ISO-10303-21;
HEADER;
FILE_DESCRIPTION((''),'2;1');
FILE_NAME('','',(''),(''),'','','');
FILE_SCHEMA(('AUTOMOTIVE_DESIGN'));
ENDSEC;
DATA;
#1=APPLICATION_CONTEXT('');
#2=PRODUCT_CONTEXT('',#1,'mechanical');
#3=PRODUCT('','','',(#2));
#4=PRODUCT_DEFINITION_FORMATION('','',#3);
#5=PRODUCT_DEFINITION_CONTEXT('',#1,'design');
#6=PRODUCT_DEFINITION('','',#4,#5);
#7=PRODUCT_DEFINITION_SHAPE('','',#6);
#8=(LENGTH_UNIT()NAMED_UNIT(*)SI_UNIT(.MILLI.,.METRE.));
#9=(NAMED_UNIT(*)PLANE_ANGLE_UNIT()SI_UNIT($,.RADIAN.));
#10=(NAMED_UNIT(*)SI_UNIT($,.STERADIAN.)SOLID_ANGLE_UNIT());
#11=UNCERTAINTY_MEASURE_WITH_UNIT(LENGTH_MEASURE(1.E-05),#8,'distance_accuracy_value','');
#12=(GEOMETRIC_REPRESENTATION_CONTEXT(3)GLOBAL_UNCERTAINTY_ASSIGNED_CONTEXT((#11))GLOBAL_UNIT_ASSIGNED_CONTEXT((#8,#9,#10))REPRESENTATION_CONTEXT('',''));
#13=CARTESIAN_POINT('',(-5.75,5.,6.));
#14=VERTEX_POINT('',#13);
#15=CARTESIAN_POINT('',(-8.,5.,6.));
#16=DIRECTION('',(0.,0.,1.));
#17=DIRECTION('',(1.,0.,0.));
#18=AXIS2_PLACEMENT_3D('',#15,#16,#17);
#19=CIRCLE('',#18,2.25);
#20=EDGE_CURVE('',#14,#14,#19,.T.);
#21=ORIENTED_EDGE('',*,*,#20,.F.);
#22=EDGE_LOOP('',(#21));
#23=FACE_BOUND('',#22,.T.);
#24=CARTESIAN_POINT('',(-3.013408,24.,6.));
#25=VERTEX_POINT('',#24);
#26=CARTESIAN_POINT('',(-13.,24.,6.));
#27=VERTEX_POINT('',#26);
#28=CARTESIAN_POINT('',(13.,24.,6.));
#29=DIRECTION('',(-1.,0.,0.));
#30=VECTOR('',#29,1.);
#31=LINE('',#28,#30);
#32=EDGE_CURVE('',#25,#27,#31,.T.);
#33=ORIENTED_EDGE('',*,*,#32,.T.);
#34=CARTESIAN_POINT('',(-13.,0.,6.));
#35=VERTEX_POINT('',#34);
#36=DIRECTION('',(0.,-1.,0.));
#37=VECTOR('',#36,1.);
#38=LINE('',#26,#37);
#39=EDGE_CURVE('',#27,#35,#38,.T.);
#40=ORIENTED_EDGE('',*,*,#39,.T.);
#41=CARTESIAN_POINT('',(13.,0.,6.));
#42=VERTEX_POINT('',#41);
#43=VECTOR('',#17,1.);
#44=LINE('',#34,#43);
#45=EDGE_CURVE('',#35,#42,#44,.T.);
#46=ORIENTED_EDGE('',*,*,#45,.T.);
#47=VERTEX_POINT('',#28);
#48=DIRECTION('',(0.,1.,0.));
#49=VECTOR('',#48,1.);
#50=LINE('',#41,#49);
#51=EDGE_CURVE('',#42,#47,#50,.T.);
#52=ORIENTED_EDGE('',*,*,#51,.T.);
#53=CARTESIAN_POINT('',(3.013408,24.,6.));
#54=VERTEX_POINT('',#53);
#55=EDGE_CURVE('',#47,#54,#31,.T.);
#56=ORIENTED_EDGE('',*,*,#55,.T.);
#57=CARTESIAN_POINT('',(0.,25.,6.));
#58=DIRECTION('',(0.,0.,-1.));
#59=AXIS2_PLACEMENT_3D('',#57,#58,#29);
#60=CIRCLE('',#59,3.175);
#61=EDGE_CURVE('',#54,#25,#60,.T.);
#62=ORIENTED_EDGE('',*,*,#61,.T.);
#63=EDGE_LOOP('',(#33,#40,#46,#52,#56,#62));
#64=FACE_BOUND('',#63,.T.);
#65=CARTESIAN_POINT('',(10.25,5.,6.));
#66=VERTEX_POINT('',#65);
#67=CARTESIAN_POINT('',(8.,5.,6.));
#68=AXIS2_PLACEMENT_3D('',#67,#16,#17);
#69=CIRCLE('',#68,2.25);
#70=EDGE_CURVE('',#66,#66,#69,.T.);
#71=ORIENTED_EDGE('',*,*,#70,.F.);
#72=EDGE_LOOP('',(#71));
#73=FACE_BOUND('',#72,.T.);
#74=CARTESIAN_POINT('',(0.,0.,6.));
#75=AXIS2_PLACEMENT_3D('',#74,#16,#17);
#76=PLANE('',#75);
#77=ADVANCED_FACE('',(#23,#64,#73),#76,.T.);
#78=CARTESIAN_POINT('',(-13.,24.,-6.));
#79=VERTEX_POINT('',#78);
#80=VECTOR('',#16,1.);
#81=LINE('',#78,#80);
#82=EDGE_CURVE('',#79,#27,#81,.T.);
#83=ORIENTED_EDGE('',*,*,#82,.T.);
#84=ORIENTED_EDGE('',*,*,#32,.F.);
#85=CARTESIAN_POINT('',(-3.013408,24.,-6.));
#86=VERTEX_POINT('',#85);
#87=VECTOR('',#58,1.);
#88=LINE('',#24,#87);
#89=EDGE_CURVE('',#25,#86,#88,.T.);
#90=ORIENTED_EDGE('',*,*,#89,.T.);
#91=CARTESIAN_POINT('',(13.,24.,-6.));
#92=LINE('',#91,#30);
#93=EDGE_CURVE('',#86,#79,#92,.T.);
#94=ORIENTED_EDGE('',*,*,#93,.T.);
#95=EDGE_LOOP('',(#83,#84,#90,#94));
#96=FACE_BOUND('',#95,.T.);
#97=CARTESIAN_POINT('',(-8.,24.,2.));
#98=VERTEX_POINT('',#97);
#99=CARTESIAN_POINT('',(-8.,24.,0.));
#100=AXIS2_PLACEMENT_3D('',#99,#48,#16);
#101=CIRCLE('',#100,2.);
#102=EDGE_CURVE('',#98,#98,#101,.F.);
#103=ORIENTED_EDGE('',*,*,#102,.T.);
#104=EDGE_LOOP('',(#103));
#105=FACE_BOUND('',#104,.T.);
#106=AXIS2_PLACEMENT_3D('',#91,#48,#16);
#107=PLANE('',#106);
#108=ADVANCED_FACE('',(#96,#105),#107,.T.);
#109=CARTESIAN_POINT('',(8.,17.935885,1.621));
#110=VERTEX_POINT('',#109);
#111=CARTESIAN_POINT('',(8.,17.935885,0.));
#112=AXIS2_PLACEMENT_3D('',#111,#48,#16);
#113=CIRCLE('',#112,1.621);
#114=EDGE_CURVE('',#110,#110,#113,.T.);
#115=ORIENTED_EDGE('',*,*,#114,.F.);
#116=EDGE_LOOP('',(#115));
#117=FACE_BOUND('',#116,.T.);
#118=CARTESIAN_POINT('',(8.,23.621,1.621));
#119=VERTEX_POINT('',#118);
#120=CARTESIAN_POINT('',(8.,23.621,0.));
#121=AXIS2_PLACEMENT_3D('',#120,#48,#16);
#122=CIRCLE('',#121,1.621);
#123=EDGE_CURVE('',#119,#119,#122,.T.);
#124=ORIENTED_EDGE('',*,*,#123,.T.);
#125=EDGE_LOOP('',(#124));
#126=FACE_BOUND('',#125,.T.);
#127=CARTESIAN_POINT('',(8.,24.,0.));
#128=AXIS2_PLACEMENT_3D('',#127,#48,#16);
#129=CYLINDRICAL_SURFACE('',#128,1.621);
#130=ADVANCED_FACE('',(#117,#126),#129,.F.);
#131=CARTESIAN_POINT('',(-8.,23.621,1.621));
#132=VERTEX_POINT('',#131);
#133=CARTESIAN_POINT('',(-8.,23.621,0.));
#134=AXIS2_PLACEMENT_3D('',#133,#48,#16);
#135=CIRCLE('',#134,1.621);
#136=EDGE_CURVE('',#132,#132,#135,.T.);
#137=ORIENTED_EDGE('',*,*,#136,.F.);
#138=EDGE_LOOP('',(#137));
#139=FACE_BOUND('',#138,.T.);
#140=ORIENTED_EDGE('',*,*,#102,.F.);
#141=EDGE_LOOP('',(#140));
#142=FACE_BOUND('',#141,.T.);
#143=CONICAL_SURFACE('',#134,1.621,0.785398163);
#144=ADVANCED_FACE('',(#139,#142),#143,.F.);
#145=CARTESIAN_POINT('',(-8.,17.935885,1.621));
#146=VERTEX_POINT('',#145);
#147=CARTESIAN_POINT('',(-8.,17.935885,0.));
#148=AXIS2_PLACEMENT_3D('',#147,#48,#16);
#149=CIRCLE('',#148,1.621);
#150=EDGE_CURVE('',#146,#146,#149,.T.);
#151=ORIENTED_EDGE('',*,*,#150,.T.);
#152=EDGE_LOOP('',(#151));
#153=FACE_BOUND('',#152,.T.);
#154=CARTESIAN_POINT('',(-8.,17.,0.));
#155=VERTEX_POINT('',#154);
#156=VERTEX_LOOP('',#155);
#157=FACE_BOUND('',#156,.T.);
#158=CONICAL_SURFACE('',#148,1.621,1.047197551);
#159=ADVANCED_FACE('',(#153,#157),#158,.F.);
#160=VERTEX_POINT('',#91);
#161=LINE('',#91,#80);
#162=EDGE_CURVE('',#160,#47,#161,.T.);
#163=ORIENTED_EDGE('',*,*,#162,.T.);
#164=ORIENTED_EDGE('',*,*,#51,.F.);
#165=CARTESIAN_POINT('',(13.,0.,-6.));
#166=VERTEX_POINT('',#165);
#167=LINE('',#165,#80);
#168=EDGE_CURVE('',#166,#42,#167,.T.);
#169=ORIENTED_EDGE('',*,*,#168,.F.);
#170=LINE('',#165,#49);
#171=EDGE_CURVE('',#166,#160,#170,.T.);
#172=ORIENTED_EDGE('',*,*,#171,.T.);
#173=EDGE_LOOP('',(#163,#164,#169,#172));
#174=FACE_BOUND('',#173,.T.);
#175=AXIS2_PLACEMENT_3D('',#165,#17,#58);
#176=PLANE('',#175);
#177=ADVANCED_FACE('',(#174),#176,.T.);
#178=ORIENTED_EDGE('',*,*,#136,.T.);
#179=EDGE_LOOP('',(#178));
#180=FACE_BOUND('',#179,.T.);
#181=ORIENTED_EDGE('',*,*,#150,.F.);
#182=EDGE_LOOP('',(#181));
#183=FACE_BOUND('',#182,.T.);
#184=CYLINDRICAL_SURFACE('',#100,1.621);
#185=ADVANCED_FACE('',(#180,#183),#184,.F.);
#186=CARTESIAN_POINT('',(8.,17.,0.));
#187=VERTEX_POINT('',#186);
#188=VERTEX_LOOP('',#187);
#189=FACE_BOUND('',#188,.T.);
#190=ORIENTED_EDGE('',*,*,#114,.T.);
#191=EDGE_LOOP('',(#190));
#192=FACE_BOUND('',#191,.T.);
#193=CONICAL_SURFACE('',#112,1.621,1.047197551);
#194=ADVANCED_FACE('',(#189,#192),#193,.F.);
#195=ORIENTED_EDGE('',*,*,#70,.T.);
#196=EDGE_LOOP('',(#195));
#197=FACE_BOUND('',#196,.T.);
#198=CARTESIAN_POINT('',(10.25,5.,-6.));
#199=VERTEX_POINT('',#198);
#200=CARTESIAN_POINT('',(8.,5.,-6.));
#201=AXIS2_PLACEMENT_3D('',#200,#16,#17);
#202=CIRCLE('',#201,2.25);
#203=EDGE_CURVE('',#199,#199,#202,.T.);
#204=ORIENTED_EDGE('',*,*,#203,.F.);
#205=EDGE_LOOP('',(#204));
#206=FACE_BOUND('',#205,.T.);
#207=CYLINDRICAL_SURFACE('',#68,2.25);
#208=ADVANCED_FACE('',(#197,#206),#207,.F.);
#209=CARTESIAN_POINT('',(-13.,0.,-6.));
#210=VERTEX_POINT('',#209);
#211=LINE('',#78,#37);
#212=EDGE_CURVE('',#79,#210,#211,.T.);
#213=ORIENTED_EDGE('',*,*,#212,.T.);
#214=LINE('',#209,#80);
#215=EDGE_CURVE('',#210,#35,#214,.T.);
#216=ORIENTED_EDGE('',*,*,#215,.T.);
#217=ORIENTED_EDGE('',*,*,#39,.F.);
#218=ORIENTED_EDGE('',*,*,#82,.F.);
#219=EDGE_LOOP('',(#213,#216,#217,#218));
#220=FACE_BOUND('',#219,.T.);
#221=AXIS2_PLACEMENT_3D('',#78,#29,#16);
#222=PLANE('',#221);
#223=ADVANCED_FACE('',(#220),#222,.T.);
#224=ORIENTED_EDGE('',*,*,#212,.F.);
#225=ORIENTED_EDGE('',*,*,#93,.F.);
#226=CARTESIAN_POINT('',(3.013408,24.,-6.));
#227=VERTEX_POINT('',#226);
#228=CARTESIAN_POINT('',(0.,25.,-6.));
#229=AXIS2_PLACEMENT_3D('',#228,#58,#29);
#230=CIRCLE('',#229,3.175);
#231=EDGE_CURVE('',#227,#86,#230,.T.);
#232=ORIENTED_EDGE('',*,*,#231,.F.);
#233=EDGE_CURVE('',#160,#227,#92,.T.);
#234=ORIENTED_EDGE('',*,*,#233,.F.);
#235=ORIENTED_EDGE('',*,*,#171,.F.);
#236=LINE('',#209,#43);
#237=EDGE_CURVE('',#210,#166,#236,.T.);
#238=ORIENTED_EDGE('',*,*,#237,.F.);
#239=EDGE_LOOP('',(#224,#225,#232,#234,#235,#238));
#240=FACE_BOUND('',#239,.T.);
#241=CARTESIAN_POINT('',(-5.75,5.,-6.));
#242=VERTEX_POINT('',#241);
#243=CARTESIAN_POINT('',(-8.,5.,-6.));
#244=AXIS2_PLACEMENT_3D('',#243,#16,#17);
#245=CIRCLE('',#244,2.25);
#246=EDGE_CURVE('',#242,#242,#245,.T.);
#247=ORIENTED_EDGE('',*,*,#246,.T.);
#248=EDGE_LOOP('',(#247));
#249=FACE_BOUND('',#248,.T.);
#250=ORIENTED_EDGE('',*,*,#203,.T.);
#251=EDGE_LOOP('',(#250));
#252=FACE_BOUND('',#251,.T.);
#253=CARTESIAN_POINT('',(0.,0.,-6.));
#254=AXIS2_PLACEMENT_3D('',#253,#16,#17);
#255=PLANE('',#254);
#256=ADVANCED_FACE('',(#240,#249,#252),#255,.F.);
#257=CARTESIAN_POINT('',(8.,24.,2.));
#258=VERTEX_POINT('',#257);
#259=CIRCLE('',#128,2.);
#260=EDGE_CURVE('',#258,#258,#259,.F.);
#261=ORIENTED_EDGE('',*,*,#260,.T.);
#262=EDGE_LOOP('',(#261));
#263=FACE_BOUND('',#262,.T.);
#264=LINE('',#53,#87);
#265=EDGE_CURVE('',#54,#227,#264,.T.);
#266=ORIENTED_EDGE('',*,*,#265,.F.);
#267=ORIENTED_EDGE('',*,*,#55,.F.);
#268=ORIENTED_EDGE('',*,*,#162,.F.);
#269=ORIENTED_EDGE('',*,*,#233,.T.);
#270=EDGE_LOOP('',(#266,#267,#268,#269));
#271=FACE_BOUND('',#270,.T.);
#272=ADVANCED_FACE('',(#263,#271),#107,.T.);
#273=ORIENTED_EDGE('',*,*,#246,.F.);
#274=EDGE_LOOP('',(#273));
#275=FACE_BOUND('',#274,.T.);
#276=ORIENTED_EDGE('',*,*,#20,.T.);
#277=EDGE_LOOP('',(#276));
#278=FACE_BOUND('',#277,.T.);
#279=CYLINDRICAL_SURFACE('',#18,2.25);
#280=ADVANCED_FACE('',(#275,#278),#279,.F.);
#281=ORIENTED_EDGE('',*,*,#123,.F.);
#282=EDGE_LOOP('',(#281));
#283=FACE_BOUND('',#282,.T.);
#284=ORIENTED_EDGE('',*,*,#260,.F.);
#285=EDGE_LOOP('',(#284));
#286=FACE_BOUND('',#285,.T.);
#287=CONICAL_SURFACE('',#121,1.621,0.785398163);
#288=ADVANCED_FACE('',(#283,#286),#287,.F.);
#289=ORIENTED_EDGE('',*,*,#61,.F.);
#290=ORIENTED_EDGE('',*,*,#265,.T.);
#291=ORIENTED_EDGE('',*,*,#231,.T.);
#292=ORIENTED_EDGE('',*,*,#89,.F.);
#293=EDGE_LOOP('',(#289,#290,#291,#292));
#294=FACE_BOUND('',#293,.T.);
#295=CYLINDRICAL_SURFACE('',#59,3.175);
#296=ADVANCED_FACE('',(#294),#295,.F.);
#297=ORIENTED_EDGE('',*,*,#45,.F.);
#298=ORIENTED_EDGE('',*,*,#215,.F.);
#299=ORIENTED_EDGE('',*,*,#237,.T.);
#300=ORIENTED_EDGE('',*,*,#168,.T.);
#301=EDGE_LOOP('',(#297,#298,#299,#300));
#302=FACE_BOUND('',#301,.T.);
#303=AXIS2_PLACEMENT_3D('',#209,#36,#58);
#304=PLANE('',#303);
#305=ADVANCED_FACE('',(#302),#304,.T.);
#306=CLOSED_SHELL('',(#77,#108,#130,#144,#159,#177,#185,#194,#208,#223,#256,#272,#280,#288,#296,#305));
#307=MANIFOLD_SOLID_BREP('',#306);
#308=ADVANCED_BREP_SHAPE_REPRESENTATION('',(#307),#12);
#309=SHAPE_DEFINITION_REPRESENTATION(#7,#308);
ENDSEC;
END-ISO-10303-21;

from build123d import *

# Parameters (mm, degrees)
SKETCH1_W                  = 26
SKETCH1_H                  = 24
BOSS_EXTRUDE1_DEPTH        = 12
CUT_EXTRUDE1_DEPTH         = 30.816103032
M3_CLEARANCE_HOLE1_D       = 3.242
M3_CLEARANCE_HOLE1_DEPTH   = 6.064115214
M3_CLEARANCE_HOLE1_TIP     = 0.935884786
F_4_5_4_5_DIAMETER_HOLE1_D = 4.5
CHAMFER1_SIZE              = 0.379


with BuildPart() as part:
    # Sketch1 → Boss-Extrude1 (new body)
    with BuildSketch(Plane.XY.offset(6)):
        with Locations((0, 12)):
            Rectangle(SKETCH1_W, SKETCH1_H)
    extrude(amount=-BOSS_EXTRUDE1_DEPTH)

    # Sketch2 → Cut-Extrude1 (cut, through all)
    with BuildSketch(Plane(origin=(0, 0, -6), x_dir=(-1, 0, 0), z_dir=(0, 0, -1))):
        with BuildLine():
            Line((3.01340754, 24), (-3.01340754, 24))
            ThreePointArc((-3.01340754, 24), (0, 21.825), (3.01340754, 24))
        make_face()
    extrude(amount=-CUT_EXTRUDE1_DEPTH, mode=Mode.SUBTRACT)

    # M3 Clearance Hole1
    with Locations(Plane(origin=(0, 24, 0), x_dir=(1, 0, 0), z_dir=(0, 1, 0))):
        with Locations((8, 0), (-8, 0)):
            Hole(M3_CLEARANCE_HOLE1_D / 2, depth=M3_CLEARANCE_HOLE1_DEPTH)
            with Locations((0, 0, -(M3_CLEARANCE_HOLE1_DEPTH + M3_CLEARANCE_HOLE1_TIP / 2))):  # 120° drill point
                Cone(0, M3_CLEARANCE_HOLE1_D / 2, M3_CLEARANCE_HOLE1_TIP, mode=Mode.SUBTRACT)

    # Ø4.5 (4.5) Diameter Hole1 (through all)
    with Locations(Plane.XY.offset(6)):
        with Locations((8, 5), (-8, 5)):
            Hole(F_4_5_4_5_DIAMETER_HOLE1_D / 2)

    # Chamfer1
    chamfer1_edges = [part.edges().sort_by_distance(p)[0] for p in [
        (-6.379, 24, 0),
        (9.621, 24, 0),
    ]]
    chamfer(chamfer1_edges, length=CHAMFER1_SIZE)


solid = part.part
